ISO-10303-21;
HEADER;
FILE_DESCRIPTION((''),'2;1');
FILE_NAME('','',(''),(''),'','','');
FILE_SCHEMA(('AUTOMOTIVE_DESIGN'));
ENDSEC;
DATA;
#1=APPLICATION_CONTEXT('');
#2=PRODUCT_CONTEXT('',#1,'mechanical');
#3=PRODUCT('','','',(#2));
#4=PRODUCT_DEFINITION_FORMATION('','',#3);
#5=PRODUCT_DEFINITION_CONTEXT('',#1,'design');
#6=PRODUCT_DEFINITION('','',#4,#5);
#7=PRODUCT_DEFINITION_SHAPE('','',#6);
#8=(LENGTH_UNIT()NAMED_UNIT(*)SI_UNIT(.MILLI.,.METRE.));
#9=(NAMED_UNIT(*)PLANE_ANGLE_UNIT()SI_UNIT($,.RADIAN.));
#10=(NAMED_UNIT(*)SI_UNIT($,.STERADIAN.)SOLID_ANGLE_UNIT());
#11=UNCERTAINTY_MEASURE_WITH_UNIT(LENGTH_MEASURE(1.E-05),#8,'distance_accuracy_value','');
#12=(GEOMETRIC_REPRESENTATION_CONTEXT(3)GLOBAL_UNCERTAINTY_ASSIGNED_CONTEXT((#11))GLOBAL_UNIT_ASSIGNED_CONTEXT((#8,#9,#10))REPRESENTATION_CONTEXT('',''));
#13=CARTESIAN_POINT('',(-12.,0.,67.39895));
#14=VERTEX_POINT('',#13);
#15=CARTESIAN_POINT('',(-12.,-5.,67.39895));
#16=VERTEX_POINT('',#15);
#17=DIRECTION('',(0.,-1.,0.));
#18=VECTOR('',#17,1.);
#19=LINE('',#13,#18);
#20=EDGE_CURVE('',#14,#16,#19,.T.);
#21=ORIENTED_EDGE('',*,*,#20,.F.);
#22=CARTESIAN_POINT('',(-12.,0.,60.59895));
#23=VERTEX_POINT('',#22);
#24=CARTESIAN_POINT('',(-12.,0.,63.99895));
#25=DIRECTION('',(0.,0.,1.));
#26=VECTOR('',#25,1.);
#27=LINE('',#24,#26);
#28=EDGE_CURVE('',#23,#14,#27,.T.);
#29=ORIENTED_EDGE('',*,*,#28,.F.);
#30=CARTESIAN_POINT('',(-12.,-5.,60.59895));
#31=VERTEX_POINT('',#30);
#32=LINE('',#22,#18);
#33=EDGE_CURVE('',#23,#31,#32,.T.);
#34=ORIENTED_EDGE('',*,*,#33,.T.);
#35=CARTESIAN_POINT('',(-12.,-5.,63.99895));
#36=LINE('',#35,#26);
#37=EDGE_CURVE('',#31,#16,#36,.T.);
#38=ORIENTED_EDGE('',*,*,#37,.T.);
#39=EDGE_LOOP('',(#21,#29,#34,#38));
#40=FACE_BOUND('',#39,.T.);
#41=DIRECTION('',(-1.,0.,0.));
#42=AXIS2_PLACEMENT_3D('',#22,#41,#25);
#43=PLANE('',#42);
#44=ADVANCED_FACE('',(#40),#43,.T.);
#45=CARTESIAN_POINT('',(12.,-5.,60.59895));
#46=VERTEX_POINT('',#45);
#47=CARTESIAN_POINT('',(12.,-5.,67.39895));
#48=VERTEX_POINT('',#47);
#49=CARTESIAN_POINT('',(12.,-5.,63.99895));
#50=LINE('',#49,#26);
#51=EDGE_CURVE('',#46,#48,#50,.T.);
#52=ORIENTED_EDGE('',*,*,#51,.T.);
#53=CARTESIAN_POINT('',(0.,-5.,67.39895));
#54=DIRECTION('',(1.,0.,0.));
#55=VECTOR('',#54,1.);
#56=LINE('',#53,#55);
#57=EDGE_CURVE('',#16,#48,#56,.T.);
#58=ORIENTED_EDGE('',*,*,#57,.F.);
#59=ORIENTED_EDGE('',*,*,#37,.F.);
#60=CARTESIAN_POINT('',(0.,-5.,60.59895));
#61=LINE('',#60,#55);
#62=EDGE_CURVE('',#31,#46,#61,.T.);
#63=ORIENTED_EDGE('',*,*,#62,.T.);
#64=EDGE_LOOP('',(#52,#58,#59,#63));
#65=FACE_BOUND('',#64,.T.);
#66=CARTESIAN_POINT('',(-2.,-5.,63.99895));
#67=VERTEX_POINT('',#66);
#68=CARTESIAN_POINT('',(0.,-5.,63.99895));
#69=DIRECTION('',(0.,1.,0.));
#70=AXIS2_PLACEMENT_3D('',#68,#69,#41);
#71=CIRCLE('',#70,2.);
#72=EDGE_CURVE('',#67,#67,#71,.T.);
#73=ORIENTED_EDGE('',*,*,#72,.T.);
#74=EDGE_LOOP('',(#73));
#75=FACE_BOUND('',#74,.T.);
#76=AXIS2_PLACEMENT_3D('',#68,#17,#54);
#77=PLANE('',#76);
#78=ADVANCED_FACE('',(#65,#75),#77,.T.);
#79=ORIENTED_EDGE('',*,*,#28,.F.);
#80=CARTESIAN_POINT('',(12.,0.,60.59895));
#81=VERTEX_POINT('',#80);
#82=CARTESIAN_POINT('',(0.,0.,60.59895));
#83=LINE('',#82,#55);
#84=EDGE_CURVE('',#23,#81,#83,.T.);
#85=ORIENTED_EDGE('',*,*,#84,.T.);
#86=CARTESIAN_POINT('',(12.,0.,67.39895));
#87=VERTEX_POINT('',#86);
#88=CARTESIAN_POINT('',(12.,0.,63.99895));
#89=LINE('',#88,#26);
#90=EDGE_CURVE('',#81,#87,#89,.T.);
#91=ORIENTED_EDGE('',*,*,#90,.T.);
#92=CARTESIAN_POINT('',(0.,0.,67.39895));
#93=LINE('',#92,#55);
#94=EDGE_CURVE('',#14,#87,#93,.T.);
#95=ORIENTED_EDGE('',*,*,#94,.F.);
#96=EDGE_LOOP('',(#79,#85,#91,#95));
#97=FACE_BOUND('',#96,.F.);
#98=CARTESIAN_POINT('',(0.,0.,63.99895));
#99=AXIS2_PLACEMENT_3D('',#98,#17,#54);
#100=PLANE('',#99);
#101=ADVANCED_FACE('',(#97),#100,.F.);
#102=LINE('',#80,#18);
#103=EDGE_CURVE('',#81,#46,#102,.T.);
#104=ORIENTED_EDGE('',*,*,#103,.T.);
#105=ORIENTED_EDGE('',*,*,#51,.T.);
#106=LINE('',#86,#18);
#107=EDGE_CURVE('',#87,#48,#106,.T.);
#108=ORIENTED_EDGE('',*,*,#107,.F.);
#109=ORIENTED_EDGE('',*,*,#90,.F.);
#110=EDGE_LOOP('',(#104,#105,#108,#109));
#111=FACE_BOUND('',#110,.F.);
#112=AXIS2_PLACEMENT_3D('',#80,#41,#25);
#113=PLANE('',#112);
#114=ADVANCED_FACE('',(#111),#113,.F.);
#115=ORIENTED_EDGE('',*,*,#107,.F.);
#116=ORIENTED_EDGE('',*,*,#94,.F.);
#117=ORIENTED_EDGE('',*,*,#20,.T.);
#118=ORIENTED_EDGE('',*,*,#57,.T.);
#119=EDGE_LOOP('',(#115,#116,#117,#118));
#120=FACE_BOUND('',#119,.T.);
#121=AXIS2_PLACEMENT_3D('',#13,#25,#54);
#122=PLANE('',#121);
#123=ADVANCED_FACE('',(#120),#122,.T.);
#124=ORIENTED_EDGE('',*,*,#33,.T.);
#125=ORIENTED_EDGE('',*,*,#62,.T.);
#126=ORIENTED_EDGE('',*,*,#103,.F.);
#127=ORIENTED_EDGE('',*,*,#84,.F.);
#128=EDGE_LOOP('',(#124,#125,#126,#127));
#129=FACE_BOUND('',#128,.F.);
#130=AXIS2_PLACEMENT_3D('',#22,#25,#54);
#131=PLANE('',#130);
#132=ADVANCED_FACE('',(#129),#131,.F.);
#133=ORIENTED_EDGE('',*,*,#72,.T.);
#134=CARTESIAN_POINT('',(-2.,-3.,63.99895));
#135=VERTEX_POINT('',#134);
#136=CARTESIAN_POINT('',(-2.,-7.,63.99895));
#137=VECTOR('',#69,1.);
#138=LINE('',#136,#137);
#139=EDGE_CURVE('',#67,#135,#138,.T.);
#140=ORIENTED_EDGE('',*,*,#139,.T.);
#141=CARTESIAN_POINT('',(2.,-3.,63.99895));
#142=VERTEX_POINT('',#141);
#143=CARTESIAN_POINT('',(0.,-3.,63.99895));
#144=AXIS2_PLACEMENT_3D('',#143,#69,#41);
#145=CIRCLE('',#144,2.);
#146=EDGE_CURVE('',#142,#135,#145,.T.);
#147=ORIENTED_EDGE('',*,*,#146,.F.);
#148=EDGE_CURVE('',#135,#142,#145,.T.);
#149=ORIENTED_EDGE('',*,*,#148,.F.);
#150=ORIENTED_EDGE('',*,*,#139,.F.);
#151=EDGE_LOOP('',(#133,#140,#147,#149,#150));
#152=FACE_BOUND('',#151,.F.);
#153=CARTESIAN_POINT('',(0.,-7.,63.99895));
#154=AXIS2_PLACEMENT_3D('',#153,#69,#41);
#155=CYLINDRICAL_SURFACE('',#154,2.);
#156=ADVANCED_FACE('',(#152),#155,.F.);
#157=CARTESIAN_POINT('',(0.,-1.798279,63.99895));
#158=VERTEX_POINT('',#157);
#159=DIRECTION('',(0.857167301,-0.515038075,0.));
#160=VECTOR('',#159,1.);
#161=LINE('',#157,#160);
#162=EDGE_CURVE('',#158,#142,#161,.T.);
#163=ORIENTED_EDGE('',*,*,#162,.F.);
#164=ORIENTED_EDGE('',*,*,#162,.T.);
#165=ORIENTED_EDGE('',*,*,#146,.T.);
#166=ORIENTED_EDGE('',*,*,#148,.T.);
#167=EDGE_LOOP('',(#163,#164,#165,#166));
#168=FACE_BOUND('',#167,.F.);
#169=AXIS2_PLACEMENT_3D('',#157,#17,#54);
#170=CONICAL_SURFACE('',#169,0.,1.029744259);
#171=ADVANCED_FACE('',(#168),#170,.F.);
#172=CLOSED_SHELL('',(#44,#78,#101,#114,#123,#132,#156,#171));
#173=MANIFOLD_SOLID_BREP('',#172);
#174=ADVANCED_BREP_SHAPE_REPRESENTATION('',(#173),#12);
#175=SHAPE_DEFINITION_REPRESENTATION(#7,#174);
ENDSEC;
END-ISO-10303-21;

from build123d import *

# Parameters (mm, degrees)
F0_W     = 24
F0_H     = 6.8
F1_DEPTH = 5
F3_D     = 4
F3_DEPTH = 2
F3_TIP   = 1.2017212381


with BuildPart() as f1:
    # F0 (on Front) → F1 (new body)
    with BuildSketch(Plane.XZ):
        with Locations((0, 63.9989495563)):
            Rectangle(F0_W, F0_H)
    extrude(amount=F1_DEPTH)

    # F3
    with Locations(Plane.XZ.offset(5)):
        with Locations((0, 63.9989495563)):
            Hole(F3_D / 2, depth=F3_DEPTH)
            with Locations((0, 0, -(F3_DEPTH + F3_TIP / 2))):  # 118° drill point
                Cone(0, F3_D / 2, F3_TIP, mode=Mode.SUBTRACT)


solid = f1.part
